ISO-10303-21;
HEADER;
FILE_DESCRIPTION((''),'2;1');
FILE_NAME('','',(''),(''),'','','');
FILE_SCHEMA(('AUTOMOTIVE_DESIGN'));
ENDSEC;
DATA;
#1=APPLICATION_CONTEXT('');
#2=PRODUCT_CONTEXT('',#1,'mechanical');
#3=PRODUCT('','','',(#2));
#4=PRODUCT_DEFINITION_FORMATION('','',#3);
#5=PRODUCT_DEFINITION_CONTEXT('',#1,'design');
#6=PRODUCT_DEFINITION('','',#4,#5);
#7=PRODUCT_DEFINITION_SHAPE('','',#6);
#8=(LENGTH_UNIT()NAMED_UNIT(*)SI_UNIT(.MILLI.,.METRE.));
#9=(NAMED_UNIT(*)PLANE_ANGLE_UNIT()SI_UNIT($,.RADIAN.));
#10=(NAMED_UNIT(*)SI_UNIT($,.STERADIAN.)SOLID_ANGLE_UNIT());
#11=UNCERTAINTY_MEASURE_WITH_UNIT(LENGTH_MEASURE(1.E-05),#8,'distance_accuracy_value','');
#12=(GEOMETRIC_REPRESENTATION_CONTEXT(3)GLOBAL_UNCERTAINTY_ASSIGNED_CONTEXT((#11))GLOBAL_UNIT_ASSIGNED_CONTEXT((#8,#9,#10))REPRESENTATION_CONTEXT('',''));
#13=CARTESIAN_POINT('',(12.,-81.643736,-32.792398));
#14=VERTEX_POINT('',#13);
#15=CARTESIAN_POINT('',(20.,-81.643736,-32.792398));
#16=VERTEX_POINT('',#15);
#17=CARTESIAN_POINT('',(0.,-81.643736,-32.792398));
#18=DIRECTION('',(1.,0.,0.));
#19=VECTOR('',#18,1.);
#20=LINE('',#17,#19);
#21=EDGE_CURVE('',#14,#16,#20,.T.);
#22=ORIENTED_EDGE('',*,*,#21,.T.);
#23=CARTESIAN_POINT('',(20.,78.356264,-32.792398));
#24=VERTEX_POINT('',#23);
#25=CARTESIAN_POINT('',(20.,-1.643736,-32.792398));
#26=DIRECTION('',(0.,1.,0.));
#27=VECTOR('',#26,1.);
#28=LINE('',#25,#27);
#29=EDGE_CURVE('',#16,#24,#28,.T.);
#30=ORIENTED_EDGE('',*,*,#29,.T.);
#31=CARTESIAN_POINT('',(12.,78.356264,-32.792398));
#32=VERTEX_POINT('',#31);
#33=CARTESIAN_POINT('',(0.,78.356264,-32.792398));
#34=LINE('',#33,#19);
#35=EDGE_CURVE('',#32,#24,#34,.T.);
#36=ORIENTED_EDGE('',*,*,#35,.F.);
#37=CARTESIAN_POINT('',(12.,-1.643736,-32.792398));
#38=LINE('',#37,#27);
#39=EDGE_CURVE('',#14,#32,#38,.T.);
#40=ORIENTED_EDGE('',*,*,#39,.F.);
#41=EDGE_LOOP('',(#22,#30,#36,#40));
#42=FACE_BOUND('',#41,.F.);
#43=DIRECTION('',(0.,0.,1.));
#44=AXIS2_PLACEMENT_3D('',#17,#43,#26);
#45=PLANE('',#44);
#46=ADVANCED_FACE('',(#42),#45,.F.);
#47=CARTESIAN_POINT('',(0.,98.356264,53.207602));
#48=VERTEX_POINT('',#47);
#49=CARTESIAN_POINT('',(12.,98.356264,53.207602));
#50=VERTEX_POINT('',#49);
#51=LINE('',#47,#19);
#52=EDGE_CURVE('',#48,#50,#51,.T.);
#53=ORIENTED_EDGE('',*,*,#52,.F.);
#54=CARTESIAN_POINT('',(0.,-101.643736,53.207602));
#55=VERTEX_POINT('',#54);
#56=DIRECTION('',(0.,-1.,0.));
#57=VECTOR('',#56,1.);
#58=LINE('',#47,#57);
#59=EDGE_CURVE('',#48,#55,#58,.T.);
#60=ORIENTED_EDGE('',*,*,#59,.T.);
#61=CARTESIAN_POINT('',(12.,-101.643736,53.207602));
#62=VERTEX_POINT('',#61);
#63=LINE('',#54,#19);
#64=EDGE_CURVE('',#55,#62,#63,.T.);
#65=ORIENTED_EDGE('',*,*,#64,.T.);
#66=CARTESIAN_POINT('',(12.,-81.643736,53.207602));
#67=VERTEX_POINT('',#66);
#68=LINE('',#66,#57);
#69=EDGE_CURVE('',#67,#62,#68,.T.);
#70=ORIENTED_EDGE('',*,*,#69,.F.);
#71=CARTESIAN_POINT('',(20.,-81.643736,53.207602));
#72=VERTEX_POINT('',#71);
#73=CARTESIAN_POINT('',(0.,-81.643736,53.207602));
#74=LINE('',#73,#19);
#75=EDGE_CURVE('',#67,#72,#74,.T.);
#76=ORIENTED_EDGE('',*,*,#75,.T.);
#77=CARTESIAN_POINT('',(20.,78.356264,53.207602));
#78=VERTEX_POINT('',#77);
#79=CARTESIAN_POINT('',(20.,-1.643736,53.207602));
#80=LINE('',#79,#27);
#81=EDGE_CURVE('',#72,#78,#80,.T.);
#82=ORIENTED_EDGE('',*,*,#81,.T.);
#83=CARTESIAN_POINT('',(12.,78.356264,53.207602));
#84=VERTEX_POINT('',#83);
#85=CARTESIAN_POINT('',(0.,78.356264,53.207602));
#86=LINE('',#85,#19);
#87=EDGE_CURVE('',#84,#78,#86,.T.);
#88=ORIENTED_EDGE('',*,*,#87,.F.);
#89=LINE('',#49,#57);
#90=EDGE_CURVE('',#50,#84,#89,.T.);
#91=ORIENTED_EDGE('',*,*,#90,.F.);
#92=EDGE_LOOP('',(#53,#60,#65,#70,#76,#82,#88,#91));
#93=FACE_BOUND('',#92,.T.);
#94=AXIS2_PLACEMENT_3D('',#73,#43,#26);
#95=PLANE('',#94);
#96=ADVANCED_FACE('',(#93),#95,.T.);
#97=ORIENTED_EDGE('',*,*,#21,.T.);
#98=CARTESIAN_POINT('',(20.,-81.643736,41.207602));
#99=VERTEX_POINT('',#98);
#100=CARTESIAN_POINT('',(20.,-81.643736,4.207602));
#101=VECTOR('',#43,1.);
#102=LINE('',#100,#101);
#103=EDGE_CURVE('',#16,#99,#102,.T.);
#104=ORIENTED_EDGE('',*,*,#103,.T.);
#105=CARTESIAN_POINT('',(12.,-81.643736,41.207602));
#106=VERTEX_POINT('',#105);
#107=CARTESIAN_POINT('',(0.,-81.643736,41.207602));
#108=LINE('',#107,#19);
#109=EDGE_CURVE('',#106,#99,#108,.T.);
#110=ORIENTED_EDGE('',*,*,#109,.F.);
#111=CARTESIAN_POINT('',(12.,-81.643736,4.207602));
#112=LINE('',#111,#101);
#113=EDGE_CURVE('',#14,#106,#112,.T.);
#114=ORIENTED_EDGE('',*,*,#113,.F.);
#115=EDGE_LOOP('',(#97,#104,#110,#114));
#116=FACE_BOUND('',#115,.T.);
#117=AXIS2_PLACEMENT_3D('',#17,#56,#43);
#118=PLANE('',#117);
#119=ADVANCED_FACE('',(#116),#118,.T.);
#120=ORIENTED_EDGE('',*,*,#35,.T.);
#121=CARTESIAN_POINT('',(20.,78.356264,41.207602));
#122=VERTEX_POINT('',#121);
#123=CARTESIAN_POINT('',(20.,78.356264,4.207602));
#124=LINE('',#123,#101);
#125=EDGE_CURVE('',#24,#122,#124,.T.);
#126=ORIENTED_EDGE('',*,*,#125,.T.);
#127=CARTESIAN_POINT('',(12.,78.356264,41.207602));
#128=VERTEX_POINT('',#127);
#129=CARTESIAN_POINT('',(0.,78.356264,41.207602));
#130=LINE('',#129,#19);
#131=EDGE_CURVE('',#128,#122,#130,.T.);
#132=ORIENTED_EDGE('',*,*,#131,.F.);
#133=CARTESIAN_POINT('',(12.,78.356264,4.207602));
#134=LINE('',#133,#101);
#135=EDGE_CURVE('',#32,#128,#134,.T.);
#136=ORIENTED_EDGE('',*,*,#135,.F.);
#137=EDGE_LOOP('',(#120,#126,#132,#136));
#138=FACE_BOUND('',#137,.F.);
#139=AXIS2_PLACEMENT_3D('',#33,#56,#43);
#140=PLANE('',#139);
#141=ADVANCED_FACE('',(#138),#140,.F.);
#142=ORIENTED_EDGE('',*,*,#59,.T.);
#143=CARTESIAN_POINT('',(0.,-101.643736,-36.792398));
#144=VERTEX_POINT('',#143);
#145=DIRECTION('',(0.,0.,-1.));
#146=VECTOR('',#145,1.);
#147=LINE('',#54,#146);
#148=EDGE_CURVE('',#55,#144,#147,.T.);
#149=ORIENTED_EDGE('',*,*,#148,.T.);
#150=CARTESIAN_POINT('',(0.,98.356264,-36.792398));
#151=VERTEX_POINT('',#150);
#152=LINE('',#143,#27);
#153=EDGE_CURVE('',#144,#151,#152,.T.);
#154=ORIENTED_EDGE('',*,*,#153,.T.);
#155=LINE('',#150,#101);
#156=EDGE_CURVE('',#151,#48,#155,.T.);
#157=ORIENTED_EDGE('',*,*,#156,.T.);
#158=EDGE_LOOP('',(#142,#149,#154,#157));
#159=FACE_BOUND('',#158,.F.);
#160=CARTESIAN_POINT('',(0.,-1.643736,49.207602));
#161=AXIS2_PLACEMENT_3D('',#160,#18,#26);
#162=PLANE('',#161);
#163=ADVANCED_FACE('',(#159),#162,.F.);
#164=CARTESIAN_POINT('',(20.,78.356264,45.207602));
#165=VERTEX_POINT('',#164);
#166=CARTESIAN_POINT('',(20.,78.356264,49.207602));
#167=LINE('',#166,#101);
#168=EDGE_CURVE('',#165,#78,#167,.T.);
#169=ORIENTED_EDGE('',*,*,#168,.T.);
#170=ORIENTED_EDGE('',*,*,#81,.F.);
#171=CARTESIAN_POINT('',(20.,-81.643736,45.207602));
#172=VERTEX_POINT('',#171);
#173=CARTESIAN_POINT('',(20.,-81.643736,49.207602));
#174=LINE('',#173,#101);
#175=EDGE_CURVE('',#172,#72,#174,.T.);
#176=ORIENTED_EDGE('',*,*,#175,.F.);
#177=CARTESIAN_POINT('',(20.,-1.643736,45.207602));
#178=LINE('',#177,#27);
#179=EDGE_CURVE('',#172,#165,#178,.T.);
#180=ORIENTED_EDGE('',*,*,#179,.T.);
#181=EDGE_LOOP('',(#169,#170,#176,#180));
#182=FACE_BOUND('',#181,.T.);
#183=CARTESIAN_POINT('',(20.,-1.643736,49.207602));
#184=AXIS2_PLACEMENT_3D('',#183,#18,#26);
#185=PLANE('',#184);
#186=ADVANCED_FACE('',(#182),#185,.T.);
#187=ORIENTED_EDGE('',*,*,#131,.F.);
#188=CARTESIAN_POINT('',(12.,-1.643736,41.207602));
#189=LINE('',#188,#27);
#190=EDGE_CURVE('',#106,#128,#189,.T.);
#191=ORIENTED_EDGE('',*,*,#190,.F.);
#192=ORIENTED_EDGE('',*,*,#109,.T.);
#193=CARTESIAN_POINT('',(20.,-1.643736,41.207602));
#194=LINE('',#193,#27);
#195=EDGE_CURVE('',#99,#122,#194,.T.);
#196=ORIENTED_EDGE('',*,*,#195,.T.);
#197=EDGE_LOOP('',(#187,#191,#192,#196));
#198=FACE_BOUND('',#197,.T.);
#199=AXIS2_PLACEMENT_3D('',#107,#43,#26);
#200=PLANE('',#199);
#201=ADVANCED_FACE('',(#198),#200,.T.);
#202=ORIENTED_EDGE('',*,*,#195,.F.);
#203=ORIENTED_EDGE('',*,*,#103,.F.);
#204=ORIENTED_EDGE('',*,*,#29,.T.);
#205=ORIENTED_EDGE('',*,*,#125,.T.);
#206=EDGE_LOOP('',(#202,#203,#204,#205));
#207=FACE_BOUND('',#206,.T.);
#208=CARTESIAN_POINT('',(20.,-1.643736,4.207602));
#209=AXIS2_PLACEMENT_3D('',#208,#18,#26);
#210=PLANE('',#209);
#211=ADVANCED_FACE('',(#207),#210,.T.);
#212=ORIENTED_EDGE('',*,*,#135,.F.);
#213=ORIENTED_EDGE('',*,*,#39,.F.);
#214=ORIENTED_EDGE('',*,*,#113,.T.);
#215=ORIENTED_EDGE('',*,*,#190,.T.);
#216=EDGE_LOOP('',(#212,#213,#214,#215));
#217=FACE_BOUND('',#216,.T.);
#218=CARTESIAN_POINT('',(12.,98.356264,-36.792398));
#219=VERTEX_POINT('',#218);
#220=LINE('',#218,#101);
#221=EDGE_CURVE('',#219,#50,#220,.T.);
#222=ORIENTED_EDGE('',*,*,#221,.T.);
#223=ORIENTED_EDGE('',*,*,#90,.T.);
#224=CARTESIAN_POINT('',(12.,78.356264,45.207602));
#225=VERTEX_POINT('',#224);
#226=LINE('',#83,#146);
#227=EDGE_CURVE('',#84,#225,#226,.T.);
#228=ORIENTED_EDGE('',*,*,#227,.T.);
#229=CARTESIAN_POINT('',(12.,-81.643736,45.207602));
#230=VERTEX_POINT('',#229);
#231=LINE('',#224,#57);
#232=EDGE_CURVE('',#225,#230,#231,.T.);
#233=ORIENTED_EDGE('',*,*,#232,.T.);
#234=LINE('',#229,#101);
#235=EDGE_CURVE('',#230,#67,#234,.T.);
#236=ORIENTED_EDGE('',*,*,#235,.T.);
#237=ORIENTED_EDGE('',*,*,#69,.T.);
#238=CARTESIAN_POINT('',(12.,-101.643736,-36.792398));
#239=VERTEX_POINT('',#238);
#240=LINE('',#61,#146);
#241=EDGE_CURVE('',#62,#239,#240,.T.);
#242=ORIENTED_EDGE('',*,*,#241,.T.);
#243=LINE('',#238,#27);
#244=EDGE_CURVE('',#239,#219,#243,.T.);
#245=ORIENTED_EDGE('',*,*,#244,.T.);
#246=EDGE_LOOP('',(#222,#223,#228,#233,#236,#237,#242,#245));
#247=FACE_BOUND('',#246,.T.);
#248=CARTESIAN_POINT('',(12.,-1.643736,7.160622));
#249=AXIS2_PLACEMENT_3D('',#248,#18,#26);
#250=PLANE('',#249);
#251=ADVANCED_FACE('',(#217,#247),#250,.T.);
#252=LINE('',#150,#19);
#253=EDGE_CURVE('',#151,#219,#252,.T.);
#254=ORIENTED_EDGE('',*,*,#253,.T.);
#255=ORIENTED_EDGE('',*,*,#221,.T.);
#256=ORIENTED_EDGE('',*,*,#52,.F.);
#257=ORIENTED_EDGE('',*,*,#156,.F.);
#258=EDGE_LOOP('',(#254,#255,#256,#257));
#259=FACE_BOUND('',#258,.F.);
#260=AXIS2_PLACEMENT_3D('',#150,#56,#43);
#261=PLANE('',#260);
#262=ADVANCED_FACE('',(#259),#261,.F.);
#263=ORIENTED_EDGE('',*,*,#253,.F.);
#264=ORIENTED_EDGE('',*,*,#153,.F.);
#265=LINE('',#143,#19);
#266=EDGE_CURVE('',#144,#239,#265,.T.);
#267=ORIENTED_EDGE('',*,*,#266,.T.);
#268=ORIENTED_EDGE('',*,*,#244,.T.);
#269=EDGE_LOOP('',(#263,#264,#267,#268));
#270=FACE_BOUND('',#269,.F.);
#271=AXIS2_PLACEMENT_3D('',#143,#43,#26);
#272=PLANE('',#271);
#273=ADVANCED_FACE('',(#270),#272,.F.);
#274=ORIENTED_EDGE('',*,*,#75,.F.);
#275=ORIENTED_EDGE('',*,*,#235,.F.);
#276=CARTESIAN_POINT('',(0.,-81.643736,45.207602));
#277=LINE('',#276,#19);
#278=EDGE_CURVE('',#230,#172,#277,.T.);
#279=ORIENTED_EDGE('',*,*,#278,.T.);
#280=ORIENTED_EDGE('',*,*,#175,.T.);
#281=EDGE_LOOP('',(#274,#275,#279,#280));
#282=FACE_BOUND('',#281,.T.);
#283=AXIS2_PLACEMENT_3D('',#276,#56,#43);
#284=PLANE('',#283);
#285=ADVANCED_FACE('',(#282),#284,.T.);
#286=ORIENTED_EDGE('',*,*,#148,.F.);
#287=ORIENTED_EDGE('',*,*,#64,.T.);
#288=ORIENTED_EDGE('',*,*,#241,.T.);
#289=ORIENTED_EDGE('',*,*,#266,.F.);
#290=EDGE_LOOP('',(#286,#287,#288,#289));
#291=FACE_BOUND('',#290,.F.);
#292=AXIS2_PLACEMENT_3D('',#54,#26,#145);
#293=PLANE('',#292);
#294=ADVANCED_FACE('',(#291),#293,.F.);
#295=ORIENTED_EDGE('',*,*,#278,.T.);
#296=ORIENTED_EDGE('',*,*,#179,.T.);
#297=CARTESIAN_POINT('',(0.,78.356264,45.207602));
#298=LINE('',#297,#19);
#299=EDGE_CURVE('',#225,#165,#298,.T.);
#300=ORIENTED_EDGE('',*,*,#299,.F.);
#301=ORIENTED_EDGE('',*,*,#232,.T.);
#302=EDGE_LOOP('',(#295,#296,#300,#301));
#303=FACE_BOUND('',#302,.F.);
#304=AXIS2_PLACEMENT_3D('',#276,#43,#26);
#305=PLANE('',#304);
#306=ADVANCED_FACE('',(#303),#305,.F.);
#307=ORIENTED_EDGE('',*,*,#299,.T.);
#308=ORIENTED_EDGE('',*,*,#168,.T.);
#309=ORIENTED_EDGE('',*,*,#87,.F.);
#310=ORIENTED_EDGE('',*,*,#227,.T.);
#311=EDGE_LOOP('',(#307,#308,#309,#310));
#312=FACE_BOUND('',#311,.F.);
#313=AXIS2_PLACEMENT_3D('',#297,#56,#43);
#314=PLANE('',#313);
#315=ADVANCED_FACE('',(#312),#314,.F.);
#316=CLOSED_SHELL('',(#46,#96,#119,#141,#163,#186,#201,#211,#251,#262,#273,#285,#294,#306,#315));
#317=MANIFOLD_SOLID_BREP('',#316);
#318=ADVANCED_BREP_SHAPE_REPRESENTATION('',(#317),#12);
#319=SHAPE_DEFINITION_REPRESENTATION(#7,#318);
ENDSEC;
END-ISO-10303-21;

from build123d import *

# Parameters (mm, degrees)
F0_W     = 160
F0_H     = 74
F1_DEPTH = 20
F2_DEPTH = 12
F0_H_2   = 8
F3_DEPTH = 20


with BuildPart() as f1:
    # F0 (on Right) → F1 (new body)
    with BuildSketch(Plane.YZ):
        with Locations((-1.643736, 4.207602)):
            Rectangle(F0_W, F0_H)
    extrude(amount=F1_DEPTH)

    # F0 (on Right) → F2 (join)
    with BuildSketch(Plane.YZ):
        Polygon((-81.643736, 53.207602), (-101.643736, 53.207602), (-101.643736, -36.792398), (98.356264, -36.792398), (98.356264, 53.207602), (78.356264, 53.207602), (78.356264, 45.207602), (-81.643736, 45.207602), align=None)
        with Locations((-1.643736, 4.207602)):
            Rectangle(F0_W, F0_H, mode=Mode.SUBTRACT)
    extrude(amount=F2_DEPTH)

    # F0 (on Right) → F3 (join)
    with BuildSketch(Plane.YZ):
        with Locations((-1.643736, 49.207602)):
            Rectangle(F0_W, F0_H_2)
    extrude(amount=F3_DEPTH)


solid = f1.part
